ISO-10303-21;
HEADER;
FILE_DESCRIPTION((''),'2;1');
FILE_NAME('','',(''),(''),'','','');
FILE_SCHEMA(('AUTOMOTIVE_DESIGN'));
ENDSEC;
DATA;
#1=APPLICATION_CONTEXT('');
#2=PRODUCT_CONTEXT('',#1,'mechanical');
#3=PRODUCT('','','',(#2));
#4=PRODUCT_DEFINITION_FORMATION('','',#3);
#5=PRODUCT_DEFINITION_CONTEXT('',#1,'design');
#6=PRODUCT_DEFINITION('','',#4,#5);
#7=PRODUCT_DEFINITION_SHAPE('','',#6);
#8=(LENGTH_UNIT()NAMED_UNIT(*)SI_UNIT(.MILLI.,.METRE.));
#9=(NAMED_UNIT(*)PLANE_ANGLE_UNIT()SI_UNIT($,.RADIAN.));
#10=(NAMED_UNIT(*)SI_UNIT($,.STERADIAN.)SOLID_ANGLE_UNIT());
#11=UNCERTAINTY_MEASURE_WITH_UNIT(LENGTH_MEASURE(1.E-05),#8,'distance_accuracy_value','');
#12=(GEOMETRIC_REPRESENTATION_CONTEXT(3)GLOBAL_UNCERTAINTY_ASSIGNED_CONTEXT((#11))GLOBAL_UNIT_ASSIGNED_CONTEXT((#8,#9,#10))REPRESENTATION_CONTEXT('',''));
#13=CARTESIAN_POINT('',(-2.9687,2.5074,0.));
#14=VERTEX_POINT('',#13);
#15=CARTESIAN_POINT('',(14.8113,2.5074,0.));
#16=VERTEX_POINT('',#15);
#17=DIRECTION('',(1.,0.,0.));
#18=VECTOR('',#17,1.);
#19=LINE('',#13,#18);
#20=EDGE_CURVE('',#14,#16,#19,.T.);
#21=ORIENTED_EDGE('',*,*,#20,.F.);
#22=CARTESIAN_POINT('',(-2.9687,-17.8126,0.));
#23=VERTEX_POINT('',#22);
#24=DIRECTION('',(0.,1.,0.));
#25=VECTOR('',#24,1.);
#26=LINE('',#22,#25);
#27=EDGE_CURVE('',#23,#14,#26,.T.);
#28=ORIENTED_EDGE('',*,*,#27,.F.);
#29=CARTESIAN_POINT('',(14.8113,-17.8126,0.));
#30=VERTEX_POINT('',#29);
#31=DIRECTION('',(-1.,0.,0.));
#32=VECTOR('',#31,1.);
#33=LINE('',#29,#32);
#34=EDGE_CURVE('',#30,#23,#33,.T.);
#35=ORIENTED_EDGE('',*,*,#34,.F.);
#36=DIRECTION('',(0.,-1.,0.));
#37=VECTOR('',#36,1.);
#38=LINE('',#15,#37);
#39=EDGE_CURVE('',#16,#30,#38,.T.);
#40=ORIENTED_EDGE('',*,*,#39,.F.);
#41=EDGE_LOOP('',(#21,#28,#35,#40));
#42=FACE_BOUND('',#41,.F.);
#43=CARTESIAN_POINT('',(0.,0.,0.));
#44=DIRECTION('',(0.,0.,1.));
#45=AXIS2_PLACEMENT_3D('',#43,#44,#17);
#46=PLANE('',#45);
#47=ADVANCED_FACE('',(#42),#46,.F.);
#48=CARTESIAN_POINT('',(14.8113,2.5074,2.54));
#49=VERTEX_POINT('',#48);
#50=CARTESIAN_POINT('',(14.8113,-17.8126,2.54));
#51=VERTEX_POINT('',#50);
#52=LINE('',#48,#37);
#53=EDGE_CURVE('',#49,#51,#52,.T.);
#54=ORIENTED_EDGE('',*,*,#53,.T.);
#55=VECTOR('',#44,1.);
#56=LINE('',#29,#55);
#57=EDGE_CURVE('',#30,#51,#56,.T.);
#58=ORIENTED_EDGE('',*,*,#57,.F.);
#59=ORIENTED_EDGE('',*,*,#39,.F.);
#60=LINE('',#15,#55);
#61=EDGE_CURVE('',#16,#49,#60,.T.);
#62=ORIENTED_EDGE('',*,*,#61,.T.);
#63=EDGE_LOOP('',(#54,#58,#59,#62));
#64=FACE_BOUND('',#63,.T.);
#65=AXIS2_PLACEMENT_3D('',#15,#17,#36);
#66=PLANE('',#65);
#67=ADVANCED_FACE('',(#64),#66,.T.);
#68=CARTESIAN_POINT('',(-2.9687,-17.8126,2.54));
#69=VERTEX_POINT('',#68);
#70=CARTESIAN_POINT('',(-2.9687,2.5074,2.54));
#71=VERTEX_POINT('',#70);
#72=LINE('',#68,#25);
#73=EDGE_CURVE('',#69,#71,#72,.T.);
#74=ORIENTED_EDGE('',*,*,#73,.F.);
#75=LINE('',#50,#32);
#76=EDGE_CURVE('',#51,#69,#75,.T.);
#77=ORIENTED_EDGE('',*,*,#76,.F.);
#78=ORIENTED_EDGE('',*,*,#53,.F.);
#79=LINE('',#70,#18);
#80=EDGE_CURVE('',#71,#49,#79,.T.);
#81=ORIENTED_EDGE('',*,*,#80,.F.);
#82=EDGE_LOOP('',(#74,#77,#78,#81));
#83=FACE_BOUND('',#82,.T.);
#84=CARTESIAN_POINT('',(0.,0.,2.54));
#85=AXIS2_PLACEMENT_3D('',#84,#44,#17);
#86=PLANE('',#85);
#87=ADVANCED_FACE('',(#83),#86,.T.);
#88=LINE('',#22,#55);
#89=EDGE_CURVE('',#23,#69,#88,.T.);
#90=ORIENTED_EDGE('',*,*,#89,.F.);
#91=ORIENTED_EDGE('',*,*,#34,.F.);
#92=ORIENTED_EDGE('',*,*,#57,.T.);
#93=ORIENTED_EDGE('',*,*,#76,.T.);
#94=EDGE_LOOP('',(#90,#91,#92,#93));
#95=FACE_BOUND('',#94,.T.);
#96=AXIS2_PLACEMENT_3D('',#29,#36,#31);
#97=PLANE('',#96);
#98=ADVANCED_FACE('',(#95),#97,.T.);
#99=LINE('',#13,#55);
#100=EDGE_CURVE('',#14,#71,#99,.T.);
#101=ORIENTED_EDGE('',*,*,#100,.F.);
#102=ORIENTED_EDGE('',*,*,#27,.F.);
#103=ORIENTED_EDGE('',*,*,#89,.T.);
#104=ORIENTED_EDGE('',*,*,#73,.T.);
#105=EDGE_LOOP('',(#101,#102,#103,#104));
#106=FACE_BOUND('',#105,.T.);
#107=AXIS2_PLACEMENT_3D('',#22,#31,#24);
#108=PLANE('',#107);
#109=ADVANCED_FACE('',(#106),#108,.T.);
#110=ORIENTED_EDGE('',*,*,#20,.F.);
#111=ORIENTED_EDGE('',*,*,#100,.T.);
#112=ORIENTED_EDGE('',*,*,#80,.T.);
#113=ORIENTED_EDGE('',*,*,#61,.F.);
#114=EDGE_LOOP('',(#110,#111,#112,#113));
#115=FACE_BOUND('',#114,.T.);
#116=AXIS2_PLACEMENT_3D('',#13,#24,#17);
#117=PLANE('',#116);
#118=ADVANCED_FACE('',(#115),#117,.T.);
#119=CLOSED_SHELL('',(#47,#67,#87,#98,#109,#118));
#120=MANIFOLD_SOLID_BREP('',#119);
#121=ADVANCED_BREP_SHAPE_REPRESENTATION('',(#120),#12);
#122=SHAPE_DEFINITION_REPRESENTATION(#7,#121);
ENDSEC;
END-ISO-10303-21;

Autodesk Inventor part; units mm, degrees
ref_plane "YZ Plane" through (0, 0, 0) normal (1, 0, 0) x (0, 1, 0)
ref_plane "XZ Plane" through (0, 0, 0) normal (0, 1, 0) x (-1, 0, 0)
ref_plane "XY Plane" through (0, 0, 0) normal (0, 0, 1) x (1, 0, 0)
sketch "Sketch1" plane through (0, 0, 0) normal (0, 0, 1) x (1, 0, 0)
  line L0 (-2.9687, 2.5074) -> (14.8113, 2.5074)
  line L1 (14.8113, 2.5074) -> (14.8113, -17.8126)
  line L2 (14.8113, -17.8126) -> (-2.9687, -17.8126)
  line L3 (-2.9687, -17.8126) -> (-2.9687, 2.5074)
  point P0 (0, 0)
  dimension "d0" = 17.78
  dimension "d1" = 20.32
extrude "Extrusion1" add sketch "Sketch1" along normal blind 2.54
properties part number "ToF Sensor2"
